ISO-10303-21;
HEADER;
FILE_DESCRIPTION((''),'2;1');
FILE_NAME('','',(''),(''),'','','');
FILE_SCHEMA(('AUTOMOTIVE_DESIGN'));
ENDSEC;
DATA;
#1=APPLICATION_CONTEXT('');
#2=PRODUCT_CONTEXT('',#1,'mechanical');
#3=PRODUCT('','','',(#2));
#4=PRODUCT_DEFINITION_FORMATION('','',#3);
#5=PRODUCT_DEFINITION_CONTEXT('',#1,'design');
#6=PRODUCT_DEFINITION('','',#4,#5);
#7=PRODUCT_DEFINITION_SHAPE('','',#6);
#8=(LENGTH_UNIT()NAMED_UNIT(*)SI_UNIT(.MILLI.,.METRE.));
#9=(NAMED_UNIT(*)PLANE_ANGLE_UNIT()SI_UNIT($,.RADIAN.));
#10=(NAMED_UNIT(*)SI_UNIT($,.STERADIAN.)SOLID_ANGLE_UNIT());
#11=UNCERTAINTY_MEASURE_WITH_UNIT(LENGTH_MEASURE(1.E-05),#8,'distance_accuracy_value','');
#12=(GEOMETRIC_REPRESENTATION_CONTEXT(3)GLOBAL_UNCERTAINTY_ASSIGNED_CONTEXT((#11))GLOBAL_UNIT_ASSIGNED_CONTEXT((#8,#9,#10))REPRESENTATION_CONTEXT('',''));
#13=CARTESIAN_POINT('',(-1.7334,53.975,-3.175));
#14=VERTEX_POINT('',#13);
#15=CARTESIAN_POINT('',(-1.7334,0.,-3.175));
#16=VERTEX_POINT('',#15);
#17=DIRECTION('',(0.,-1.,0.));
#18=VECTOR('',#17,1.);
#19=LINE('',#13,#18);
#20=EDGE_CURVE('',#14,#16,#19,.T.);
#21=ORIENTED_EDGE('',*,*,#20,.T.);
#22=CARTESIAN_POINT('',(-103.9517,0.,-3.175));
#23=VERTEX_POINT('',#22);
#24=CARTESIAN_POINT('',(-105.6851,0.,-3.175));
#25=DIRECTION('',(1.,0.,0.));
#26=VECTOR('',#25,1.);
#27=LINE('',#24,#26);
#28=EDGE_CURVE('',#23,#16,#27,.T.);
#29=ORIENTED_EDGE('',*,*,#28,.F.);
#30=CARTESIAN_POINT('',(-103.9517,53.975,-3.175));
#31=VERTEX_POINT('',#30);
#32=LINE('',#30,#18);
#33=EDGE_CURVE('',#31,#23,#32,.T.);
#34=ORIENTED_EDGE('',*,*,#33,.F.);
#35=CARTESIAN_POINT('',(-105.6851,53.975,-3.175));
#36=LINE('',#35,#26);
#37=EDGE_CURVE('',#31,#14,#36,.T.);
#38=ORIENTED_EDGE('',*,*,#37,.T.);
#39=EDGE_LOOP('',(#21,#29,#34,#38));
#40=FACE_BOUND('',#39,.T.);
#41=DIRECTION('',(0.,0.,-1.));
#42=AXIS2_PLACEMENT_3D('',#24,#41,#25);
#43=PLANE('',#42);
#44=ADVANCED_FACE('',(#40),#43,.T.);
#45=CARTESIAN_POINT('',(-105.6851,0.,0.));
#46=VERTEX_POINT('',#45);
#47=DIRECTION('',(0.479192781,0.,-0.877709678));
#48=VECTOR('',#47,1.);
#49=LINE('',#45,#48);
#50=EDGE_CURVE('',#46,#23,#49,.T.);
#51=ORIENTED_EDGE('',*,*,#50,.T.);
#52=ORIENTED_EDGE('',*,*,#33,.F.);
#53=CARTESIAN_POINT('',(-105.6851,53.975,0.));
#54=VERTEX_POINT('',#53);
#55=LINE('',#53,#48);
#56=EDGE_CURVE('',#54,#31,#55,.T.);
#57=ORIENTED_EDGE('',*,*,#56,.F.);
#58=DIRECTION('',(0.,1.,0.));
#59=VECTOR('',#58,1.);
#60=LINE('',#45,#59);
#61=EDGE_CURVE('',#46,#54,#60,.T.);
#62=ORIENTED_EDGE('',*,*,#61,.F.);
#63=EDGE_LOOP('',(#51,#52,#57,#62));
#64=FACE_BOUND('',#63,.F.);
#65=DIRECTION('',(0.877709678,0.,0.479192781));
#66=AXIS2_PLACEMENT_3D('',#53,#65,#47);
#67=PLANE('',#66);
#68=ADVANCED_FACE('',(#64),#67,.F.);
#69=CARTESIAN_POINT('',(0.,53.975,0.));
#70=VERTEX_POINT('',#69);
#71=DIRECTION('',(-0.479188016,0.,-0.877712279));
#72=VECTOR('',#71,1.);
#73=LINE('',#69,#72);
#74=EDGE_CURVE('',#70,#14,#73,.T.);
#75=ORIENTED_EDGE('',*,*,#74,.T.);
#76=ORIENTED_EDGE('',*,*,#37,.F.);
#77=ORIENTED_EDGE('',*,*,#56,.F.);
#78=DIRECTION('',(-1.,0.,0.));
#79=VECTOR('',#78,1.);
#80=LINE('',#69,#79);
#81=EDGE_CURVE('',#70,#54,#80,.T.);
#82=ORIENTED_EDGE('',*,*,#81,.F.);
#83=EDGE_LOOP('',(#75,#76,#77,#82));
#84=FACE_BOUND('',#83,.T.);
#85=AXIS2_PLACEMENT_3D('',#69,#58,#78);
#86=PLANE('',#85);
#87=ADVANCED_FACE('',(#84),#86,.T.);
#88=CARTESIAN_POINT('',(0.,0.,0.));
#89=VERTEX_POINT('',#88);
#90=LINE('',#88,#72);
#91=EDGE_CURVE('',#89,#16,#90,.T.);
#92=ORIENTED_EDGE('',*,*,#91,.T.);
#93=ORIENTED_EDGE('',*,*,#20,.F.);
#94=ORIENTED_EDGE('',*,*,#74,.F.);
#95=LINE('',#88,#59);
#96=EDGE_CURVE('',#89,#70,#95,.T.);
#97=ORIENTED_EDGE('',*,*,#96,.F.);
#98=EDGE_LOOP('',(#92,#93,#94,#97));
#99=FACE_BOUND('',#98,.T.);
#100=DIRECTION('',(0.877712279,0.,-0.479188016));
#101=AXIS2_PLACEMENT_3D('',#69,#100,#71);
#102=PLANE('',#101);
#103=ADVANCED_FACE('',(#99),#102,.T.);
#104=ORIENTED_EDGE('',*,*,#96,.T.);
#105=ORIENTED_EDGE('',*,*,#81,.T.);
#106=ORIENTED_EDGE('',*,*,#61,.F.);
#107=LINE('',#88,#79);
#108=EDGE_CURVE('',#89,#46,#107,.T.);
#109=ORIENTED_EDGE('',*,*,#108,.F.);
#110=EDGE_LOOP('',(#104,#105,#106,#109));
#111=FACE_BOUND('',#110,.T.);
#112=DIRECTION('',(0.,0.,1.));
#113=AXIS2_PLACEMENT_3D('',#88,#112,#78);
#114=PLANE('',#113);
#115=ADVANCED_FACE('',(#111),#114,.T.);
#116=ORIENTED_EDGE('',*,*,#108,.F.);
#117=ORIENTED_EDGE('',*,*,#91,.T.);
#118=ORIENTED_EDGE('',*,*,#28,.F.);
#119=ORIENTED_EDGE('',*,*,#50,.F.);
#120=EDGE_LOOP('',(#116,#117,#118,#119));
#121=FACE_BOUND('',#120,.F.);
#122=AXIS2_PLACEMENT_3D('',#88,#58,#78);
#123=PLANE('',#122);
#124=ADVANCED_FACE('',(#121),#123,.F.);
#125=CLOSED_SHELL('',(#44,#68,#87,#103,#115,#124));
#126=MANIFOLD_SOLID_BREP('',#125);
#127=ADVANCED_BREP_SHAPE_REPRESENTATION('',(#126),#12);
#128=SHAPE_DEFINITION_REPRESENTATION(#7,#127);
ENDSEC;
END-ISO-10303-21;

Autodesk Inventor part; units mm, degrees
ref_plane "YZ Plane" through (0, 0, 0) normal (1, 0, 0) x (0, 1, 0)
ref_plane "XZ Plane" through (0, 0, 0) normal (0, 1, 0) x (-1, 0, 0)
ref_plane "XY Plane" through (0, 0, 0) normal (0, 0, 1) x (1, 0, 0)
sketch "Sketch1" plane through (0, 0, 0) normal (0, 1, 0) x (-1, 0, 0)
  line L0 (0, 0) -> (105.6851, 0)
  line L1 (105.6851, 0) -> (105.6851, -3.175)
  line L2 (105.6851, -3.175) -> (0, -3.175)
  line L3 (0, -3.175) -> (0, 0)
  dimension "d0" = 3.175
  dimension "d1" = 105.6851
extrude "Extrusion1" add sketch "Sketch1" along normal blind 53.975
sketch "Sketch2" plane through (0, 53.975, 0) normal (0, 1, 0) x (1, 0, 0)
  line L0 (-105.6851, 3.175) -> (-105.6851, 0) projected
  line L1 (-105.6851, 0) -> (-99.7525, 10.8664)
  line L2 (-105.6851, 0) -> (0, 0) projected
  line L3 (0, 0) -> (-13.3627, 24.476)
  line L4 (0, 3.175) -> (-105.6851, 3.175) projected
  line L5 (-1.7334, 3.175) -> (0, 3.175)
  line L6 (0, 3.175) -> (0, 0)
  line L7 (-103.9517, 3.175) -> (-105.6851, 3.175)
  line L8 (-105.6851, 0) -> (-105.6851, 3.175)
  dimension "d4" = 61.368
  dimension "d5" = 61.368
extrude "Extrusion2" cut sketch "Sketch2" against normal blind 53.975 contours L4 L1 L0 | L3 L4 L6
properties part number "Side Wall"
